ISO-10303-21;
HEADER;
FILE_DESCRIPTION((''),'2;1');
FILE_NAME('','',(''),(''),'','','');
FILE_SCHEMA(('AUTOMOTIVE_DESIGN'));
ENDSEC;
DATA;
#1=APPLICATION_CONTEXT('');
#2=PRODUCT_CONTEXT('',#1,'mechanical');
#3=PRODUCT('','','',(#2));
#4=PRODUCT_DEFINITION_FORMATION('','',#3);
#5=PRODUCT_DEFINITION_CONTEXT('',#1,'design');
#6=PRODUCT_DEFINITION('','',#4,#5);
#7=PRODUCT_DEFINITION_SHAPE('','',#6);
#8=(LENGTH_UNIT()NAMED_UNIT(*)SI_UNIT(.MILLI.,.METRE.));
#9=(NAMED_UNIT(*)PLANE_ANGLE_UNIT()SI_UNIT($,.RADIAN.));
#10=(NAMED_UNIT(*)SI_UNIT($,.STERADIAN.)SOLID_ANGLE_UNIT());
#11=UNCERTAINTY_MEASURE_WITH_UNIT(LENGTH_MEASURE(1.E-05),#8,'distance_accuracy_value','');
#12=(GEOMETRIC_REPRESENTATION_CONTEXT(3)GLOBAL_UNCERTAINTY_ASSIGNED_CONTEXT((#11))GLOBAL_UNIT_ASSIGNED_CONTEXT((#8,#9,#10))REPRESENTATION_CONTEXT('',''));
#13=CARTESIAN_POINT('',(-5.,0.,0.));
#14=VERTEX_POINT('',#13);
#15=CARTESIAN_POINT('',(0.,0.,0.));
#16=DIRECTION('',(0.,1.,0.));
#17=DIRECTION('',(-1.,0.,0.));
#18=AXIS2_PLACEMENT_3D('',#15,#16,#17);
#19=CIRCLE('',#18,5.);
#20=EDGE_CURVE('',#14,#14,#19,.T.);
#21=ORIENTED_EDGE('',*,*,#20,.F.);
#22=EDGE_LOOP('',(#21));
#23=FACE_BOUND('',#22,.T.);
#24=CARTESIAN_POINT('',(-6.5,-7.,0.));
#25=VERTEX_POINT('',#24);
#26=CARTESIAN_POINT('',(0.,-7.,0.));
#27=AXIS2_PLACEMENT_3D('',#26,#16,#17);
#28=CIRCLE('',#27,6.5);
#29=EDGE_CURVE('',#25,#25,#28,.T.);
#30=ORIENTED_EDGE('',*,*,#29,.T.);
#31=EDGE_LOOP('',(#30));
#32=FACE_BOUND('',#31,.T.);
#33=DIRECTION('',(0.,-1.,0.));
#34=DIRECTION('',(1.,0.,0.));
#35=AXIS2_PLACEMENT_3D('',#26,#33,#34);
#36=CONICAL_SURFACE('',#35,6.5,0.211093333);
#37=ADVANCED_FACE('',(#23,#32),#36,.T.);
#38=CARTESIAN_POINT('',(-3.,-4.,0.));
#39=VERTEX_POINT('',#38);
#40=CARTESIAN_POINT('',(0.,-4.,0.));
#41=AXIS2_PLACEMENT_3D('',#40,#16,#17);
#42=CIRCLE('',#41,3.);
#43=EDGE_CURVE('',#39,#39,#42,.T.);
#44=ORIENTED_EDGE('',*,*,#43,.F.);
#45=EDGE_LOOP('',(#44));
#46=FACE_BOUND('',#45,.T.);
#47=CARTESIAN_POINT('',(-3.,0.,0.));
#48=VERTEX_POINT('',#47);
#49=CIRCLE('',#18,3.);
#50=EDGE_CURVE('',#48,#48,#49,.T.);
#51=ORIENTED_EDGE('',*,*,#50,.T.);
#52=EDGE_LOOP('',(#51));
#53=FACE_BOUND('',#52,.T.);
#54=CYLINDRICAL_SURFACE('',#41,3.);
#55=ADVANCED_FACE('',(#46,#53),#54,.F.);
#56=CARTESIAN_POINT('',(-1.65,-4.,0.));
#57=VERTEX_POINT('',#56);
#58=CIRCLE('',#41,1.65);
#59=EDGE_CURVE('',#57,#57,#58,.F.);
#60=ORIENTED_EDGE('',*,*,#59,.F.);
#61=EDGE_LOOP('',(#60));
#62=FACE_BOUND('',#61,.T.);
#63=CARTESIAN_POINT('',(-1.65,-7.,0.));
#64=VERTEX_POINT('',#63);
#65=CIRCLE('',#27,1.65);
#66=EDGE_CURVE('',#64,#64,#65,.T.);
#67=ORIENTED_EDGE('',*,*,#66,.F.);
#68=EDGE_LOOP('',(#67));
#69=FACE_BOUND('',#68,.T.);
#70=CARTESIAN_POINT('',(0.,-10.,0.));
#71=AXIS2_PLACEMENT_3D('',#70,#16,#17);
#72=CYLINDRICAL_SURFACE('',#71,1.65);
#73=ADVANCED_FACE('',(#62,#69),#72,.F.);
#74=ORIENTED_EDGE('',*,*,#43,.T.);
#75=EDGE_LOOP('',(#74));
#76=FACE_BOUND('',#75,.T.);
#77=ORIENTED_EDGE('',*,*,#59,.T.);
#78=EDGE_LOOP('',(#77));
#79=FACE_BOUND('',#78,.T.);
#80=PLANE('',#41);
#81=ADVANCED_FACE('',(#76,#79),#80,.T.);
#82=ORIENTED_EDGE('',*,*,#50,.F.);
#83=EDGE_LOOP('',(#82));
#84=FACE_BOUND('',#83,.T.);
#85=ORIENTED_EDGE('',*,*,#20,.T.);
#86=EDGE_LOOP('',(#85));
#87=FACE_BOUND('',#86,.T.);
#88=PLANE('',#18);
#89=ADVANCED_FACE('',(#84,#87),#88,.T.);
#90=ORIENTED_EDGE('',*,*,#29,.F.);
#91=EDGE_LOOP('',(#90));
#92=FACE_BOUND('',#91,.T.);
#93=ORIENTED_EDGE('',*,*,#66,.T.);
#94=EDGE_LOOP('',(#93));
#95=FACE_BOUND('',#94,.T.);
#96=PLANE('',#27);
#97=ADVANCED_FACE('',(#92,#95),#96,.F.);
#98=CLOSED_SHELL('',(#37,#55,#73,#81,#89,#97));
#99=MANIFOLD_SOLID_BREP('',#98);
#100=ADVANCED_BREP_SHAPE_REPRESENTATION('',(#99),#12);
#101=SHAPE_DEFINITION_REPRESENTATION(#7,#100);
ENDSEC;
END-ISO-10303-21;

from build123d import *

# Parameters (mm, degrees)
SKETCH2_R          = 1.65
CUT_EXTRUDE1_DEPTH = 10
SKETCH3_R          = 3
CUT_EXTRUDE2_DEPTH = 4


with BuildPart() as part:
    # Sketch1 → Revolve1 (revolve)
    with BuildSketch(Plane.XY, mode=Mode.PRIVATE) as revolve1_sk:
        Polygon((0, -7), (6.5, -7), (5, 0), (0, 0), align=None)
    revolve(revolve1_sk.sketch.rotate(Axis((0, 0, 0), (0, -1, 0)), 180), axis=Axis((0, 0, 0), (0, -1, 0)))

    # Sketch2 → Cut-Extrude1 (cut)
    with BuildSketch(Plane(origin=(0, 0, 0), x_dir=(1, 0, 0), z_dir=(0, 1, 0))):
        with Locations(Location((0, 0, 0), (0, 0, 180))):
            Circle(SKETCH2_R)
    extrude(amount=-CUT_EXTRUDE1_DEPTH, mode=Mode.SUBTRACT)

    # Sketch3 → Cut-Extrude2 (cut)
    with BuildSketch(Plane(origin=(0, 0, 0), x_dir=(1, 0, 0), z_dir=(0, 1, 0))):
        with Locations(Location((0, 0, 0), (0, 0, 180))):
            Circle(SKETCH3_R)
    extrude(amount=-CUT_EXTRUDE2_DEPTH, mode=Mode.SUBTRACT)


solid = part.part
